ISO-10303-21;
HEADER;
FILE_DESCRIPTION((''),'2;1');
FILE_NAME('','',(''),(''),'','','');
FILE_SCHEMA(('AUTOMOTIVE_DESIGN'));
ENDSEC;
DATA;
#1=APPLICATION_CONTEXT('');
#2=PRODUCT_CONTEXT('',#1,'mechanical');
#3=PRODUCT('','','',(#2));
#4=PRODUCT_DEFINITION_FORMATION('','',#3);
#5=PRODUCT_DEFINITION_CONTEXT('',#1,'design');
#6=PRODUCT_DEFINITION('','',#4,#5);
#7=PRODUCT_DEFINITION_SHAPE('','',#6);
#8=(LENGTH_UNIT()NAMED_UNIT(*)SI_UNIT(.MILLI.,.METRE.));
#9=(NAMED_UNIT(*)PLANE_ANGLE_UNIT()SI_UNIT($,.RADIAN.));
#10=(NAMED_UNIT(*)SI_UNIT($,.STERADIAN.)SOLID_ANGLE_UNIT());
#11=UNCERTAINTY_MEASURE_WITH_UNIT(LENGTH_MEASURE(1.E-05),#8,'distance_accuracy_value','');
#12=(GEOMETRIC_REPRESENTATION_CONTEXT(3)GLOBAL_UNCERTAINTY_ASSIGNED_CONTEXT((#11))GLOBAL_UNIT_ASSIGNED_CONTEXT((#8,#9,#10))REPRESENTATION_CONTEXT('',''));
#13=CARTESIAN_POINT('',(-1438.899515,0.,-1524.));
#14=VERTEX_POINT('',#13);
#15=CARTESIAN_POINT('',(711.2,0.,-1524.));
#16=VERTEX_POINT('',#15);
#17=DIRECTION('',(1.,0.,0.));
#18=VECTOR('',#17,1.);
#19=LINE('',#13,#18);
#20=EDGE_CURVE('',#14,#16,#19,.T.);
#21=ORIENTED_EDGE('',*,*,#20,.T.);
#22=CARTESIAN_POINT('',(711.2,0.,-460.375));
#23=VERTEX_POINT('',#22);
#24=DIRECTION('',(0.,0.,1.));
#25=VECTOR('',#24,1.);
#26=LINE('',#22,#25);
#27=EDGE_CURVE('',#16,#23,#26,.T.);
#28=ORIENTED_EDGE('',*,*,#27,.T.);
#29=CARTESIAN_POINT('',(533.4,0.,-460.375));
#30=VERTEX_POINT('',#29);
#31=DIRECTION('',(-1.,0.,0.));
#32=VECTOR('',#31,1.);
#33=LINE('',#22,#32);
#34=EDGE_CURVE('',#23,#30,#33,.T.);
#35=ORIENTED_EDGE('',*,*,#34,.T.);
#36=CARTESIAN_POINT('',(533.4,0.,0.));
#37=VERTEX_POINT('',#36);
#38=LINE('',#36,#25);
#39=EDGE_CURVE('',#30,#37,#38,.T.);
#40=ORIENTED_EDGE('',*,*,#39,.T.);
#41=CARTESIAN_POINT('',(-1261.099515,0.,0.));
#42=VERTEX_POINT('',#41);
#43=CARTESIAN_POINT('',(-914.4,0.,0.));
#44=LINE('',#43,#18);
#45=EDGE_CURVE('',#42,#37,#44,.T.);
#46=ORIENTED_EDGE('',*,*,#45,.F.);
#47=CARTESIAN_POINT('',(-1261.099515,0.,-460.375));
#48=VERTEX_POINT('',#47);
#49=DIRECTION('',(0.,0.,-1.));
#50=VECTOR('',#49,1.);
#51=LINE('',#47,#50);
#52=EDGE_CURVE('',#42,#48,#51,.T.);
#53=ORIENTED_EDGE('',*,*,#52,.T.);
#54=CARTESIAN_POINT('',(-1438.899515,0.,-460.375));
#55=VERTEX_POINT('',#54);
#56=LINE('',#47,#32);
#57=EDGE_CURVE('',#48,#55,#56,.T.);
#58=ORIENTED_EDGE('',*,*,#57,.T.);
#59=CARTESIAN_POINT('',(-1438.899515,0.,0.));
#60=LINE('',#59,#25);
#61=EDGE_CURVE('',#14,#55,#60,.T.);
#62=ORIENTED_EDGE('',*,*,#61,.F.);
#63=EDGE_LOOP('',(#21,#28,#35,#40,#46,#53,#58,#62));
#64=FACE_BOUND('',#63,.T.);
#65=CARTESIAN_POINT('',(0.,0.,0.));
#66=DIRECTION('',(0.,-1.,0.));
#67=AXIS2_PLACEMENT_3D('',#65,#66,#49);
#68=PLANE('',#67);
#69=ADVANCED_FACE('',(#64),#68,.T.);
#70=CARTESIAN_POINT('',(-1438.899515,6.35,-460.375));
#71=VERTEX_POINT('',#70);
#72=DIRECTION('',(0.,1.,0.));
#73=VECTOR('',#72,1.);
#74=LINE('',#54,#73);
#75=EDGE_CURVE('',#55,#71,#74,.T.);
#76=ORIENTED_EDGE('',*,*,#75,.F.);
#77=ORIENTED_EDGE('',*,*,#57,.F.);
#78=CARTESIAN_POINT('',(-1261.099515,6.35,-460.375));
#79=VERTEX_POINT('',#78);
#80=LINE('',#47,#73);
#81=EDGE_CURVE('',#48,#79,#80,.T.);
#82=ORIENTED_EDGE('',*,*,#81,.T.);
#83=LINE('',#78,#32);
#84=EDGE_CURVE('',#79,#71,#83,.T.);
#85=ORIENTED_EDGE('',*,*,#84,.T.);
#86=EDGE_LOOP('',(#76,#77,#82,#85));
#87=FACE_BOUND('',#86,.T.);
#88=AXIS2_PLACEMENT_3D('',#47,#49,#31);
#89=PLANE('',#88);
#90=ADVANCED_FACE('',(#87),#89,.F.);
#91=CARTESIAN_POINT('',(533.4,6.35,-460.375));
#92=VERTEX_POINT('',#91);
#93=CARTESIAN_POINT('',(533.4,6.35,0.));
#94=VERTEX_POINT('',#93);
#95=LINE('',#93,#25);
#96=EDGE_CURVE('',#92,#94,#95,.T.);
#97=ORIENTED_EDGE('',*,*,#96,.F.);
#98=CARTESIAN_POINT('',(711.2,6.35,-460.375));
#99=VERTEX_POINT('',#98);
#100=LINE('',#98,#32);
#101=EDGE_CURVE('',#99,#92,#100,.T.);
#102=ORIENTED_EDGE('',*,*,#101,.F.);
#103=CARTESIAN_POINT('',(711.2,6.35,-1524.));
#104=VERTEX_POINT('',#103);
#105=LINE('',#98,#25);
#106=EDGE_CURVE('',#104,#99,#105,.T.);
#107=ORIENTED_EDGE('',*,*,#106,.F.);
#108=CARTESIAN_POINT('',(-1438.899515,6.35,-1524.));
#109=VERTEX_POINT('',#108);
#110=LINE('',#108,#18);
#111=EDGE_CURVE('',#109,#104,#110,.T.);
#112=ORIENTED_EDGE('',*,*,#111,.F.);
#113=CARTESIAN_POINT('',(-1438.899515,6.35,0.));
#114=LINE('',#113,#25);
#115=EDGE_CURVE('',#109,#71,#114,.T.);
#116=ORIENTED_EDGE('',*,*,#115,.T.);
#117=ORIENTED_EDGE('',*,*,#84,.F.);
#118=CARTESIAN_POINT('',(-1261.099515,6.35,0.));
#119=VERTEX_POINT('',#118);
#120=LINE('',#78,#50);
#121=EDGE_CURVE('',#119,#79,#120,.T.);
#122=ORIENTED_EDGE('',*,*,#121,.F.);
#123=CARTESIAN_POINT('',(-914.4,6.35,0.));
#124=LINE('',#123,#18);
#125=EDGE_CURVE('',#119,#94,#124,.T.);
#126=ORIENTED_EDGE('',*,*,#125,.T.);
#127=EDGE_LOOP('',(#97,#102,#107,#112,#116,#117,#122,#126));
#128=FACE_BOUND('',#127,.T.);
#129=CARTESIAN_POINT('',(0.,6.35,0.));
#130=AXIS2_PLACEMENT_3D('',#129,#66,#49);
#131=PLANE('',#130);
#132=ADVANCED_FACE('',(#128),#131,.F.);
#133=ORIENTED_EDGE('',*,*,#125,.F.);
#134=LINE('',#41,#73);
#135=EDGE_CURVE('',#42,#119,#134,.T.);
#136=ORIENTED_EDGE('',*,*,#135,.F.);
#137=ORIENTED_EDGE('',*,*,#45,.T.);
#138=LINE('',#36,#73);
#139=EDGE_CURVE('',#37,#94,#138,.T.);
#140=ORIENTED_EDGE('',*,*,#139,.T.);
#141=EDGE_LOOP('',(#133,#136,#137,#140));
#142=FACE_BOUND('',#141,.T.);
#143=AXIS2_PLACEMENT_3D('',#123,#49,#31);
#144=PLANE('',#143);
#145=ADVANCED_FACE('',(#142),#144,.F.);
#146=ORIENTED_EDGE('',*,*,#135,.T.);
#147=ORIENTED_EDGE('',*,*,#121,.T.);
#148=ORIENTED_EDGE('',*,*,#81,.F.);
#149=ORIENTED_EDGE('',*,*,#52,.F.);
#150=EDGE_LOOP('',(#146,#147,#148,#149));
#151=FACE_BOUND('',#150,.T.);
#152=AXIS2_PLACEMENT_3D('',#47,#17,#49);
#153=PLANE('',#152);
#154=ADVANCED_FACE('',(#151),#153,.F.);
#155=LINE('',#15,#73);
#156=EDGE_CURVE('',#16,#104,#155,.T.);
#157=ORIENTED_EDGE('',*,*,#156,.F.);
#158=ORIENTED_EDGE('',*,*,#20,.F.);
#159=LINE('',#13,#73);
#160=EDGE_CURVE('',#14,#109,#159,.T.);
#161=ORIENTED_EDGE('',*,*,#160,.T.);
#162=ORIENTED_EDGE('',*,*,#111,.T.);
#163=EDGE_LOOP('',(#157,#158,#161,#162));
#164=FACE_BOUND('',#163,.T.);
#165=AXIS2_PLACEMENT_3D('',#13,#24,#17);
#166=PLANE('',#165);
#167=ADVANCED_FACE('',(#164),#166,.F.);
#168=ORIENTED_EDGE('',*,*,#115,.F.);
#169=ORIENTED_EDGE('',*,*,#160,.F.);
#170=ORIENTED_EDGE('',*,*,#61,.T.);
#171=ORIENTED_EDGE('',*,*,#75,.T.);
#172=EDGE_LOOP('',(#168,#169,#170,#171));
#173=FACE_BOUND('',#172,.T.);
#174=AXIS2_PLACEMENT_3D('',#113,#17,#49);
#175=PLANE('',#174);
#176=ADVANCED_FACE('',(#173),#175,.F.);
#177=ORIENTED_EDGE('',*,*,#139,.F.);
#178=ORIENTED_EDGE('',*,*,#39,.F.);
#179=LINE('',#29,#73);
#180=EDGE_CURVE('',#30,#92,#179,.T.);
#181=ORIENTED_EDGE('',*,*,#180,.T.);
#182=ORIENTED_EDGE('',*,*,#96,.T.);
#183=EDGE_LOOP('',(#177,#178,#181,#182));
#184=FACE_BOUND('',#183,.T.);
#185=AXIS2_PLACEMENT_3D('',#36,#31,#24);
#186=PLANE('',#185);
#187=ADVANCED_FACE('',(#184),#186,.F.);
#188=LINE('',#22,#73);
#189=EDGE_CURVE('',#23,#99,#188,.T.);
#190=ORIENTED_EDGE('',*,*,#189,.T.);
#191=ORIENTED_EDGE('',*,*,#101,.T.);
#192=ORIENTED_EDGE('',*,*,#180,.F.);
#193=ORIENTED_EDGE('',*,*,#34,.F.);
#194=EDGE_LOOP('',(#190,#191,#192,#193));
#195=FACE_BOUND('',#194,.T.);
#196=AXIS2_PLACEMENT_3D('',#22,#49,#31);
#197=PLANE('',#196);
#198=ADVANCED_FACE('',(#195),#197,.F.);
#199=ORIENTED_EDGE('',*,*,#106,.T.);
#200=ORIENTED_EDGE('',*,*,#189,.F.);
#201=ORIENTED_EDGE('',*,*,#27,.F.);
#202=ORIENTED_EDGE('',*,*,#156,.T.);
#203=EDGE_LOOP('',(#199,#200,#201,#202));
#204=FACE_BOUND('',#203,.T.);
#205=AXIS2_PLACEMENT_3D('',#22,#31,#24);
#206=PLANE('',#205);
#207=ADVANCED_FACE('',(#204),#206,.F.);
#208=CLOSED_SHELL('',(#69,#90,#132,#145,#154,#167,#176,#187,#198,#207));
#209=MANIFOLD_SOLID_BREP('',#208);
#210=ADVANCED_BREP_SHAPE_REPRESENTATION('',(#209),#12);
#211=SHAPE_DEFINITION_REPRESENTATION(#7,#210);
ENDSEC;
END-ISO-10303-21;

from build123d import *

# Parameters (mm, degrees)
BOSS_EXTRUDE1_DEPTH = 6.35
SKETCH2_W           = 177.8
SKETCH2_H           = 460.375
CUT_EXTRUDE1_DEPTH  = 7.35
SKETCH3_W           = 2150.099514553
SKETCH3_H           = 1524
CUT_EXTRUDE2_DEPTH  = 7.35


with BuildPart() as part:
    # Sketch1 → Boss-Extrude1 (new body)
    with BuildSketch(Plane(origin=(0, 0, 0), x_dir=(1, 0, 0), z_dir=(0, 1, 0))):
        Polygon((-914.4, 0), (914.4, 0), (914.4, 3048), (-914.4, 3048), (-1438.899514553, 3048), (-1438.899514553, 0), align=None)
    extrude(amount=BOSS_EXTRUDE1_DEPTH)

    # Sketch2 → Cut-Extrude1 (cut, through all)
    with BuildSketch(Plane(origin=(0, 6.35, 0), x_dir=(1, 0, 0), z_dir=(0, 1, 0))):
        Polygon((914.4, 0), (533.4, 0), (533.4, 460.375), (711.2, 460.375), (711.2, 2587.625), (533.4, 2587.625), (533.4, 3048), (914.4, 3048), (914.4, 2587.625), (914.4, 460.375), align=None)
        with Locations((-1349.999514553, 230.1875)):
            Rectangle(SKETCH2_W, SKETCH2_H)
        with Locations((-1349.999514553, 2817.8125)):
            Rectangle(SKETCH2_W, SKETCH2_H)
    extrude(amount=-CUT_EXTRUDE1_DEPTH, mode=Mode.SUBTRACT)

    # Sketch3 → Cut-Extrude2 (cut, through all)
    with BuildSketch(Plane(origin=(0, 6.35, 0), x_dir=(1, 0, 0), z_dir=(0, 1, 0))):
        with Locations((-363.849757276, 2286)):
            Rectangle(SKETCH3_W, SKETCH3_H)
    extrude(amount=-CUT_EXTRUDE2_DEPTH, mode=Mode.SUBTRACT)


solid = part.part
